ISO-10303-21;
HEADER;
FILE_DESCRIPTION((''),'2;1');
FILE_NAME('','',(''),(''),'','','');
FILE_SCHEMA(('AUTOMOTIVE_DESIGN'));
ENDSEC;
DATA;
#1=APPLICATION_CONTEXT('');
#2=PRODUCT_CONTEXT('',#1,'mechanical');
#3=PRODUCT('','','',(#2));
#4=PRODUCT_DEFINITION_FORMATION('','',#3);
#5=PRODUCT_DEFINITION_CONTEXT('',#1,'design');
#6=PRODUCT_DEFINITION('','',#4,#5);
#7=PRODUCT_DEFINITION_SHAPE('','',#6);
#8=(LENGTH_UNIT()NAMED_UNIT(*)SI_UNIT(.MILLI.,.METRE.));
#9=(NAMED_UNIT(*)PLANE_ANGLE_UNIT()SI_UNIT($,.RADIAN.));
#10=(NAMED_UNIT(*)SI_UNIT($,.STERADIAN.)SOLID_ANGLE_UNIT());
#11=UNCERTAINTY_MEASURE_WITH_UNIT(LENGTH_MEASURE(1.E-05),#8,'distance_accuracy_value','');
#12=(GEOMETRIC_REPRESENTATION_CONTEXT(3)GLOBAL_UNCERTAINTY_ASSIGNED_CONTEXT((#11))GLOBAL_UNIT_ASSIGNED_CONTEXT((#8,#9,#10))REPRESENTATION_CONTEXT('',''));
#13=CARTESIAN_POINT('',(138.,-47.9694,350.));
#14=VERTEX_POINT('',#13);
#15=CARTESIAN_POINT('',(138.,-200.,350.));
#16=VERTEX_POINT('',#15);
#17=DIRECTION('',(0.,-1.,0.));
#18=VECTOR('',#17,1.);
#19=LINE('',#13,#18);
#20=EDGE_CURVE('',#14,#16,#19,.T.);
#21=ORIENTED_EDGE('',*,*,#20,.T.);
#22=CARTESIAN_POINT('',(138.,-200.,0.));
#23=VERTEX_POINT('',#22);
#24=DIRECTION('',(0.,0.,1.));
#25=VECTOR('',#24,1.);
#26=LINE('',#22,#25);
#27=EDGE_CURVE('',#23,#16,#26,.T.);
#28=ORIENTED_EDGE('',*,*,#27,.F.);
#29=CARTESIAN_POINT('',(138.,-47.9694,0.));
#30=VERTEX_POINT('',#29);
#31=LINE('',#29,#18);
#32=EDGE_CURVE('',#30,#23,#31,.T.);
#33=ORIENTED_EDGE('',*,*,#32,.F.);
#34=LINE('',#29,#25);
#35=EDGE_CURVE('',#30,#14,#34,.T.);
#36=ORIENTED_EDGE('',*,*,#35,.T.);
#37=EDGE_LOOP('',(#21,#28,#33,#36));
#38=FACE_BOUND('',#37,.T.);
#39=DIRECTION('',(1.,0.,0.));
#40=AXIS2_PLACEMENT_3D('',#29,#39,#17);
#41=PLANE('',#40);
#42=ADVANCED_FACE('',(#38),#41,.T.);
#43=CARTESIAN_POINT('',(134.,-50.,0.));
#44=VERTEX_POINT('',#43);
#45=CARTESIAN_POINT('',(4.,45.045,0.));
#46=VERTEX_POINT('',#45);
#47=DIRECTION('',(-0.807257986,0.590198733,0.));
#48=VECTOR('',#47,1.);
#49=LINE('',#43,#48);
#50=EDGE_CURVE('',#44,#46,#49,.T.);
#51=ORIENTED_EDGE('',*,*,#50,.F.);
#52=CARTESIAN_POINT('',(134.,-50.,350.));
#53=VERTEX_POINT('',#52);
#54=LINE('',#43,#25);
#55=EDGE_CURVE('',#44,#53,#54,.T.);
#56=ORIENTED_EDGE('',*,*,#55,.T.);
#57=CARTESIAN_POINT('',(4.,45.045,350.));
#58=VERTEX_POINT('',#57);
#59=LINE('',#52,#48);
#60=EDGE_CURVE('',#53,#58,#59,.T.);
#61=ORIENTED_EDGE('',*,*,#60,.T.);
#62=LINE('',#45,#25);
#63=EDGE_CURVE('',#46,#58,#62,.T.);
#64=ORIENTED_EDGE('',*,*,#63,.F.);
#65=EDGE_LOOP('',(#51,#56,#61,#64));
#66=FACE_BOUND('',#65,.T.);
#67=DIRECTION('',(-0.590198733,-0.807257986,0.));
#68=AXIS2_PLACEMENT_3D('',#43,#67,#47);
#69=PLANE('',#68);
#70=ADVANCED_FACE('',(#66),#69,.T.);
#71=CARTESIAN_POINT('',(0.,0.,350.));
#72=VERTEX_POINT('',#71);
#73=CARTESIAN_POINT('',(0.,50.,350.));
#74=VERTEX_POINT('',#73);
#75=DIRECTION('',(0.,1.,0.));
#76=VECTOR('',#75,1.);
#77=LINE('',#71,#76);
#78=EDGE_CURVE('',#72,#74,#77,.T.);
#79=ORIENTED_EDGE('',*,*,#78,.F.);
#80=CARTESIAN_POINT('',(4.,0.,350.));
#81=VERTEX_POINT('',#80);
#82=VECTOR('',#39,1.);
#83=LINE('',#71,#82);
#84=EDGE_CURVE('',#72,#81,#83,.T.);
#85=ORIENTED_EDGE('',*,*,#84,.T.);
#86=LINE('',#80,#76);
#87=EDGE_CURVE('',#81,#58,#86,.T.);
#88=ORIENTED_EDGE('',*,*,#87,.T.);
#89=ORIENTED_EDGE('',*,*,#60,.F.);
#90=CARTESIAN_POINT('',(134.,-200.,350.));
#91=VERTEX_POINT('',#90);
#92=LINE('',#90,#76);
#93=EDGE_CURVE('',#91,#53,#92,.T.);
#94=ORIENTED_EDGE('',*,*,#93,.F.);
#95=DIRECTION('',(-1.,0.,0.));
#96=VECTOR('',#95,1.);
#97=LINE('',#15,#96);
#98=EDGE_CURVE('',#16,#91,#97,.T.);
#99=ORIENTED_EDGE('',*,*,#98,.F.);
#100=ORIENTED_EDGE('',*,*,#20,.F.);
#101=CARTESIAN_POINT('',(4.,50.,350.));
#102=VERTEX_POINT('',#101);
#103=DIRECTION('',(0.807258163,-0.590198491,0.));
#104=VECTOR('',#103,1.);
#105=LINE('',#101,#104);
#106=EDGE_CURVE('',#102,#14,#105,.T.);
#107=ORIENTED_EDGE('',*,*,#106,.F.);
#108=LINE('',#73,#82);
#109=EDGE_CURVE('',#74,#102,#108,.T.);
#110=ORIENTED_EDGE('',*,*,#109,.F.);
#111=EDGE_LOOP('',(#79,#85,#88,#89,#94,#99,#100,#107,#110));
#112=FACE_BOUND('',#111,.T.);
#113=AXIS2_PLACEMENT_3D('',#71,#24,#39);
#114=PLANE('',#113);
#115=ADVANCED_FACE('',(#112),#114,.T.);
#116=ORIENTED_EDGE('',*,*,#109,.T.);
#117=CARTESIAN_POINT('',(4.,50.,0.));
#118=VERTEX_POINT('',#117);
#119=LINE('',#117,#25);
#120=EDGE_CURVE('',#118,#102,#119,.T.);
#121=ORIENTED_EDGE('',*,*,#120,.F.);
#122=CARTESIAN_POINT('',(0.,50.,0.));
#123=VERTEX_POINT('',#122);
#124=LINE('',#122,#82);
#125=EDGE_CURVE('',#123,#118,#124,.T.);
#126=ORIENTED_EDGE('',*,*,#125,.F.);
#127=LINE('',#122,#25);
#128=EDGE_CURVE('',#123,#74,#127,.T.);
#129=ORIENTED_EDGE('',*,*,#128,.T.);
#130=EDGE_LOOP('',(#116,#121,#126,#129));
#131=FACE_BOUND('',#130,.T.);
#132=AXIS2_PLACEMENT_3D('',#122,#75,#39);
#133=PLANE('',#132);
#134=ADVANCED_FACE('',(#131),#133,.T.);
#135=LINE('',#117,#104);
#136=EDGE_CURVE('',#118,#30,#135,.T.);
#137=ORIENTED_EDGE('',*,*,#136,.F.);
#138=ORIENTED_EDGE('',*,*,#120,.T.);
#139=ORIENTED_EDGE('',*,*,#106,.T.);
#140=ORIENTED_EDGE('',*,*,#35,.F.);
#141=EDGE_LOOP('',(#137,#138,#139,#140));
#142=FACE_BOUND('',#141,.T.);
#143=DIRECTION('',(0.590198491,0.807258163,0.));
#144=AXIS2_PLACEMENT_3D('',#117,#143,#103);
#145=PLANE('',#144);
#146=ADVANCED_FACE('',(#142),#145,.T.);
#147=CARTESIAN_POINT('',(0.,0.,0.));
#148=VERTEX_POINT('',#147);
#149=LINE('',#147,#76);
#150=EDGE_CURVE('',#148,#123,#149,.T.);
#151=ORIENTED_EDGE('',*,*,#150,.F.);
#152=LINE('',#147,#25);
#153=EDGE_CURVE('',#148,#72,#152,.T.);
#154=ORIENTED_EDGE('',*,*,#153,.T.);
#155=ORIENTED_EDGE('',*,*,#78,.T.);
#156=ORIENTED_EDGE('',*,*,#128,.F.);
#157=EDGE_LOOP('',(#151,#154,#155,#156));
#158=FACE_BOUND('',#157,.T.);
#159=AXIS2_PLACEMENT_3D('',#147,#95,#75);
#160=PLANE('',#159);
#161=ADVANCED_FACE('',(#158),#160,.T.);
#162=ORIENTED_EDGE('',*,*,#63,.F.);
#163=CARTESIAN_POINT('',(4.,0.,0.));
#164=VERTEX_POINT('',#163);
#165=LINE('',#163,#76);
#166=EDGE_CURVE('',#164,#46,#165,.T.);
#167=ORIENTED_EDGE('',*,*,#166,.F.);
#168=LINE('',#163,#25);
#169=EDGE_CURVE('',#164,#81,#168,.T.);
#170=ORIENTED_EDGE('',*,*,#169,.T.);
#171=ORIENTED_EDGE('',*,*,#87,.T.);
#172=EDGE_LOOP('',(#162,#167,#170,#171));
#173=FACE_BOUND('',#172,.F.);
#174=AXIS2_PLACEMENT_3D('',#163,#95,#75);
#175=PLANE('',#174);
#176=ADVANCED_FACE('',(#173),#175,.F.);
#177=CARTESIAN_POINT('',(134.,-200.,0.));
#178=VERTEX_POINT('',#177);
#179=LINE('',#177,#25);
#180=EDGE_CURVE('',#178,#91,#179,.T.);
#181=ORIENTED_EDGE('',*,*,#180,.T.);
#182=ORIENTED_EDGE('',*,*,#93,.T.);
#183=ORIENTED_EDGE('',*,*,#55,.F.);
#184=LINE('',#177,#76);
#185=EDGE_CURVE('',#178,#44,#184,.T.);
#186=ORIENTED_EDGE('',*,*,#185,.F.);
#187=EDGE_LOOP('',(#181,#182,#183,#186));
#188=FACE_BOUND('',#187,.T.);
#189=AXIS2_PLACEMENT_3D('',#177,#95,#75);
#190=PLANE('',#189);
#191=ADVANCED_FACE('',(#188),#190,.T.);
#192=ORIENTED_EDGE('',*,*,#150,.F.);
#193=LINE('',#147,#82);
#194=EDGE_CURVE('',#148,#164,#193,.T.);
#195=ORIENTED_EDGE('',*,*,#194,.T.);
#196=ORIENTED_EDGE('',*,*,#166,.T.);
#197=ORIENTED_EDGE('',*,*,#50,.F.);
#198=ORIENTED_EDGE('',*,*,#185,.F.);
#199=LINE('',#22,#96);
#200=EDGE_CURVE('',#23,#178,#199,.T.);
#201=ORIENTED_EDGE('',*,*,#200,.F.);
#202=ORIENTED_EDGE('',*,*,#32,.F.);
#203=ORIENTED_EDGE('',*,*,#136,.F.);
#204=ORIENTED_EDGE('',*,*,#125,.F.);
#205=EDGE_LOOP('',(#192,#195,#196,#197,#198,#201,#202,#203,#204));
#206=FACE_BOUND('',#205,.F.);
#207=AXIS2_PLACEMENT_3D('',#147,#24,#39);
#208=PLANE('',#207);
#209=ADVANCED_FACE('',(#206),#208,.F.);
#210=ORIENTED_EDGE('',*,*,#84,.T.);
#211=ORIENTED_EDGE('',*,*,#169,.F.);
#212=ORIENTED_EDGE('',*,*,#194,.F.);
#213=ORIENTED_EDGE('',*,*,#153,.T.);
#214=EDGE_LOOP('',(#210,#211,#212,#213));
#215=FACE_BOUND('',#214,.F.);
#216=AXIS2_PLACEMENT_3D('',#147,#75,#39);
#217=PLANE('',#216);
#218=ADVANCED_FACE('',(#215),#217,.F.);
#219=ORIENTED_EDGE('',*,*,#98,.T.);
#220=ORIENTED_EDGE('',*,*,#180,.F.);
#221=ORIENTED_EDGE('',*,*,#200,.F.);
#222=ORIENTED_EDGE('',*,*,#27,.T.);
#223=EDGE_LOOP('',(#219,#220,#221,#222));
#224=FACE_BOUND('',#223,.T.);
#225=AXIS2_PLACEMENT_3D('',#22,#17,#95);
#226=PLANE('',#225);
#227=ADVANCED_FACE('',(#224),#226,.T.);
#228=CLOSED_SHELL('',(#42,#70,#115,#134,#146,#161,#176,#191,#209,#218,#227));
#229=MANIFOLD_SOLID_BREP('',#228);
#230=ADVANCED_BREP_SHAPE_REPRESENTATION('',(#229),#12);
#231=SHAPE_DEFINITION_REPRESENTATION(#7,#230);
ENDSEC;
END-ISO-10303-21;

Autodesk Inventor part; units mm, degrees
ref_plane "YZ Plane" through (0, 0, 0) normal (1, 0, 0) x (0, 1, 0)
ref_plane "XZ Plane" through (0, 0, 0) normal (0, 1, 0) x (-1, 0, 0)
ref_plane "XY Plane" through (0, 0, 0) normal (0, 0, 1) x (1, 0, 0)
sketch "スケッチ1" plane through (0, 0, 0) normal (0, 0, 1) x (1, 0, 0)
  line L0 (0, 0) -> (0, 50)
  line L1 (0, 50) -> (4, 50)
  line L2 (4, 50) -> (138, -47.9694)
  line L3 (138, -47.9694) -> (138, -200)
  line L4 (138, -200) -> (134, -200)
  line L5 (134, -200) -> (134, -50)
  line L6 (134, -50) -> (4, 45.045)
  line L7 (0, 0) -> (4, 0)
  line L8 (4, 0) -> (4, 45.045)
  dimension "d0" = 4
  dimension "d1" = 4
  dimension "d2" = 4
  dimension "d3" = 50
  dimension "d4" = 250
  dimension "d5" = 134
  dimension "d6" = 4
  dimension "d8" = 150
extrude "押し出し1" add sketch "スケッチ1" along normal blind 350
properties part number "タイヤカバー"
